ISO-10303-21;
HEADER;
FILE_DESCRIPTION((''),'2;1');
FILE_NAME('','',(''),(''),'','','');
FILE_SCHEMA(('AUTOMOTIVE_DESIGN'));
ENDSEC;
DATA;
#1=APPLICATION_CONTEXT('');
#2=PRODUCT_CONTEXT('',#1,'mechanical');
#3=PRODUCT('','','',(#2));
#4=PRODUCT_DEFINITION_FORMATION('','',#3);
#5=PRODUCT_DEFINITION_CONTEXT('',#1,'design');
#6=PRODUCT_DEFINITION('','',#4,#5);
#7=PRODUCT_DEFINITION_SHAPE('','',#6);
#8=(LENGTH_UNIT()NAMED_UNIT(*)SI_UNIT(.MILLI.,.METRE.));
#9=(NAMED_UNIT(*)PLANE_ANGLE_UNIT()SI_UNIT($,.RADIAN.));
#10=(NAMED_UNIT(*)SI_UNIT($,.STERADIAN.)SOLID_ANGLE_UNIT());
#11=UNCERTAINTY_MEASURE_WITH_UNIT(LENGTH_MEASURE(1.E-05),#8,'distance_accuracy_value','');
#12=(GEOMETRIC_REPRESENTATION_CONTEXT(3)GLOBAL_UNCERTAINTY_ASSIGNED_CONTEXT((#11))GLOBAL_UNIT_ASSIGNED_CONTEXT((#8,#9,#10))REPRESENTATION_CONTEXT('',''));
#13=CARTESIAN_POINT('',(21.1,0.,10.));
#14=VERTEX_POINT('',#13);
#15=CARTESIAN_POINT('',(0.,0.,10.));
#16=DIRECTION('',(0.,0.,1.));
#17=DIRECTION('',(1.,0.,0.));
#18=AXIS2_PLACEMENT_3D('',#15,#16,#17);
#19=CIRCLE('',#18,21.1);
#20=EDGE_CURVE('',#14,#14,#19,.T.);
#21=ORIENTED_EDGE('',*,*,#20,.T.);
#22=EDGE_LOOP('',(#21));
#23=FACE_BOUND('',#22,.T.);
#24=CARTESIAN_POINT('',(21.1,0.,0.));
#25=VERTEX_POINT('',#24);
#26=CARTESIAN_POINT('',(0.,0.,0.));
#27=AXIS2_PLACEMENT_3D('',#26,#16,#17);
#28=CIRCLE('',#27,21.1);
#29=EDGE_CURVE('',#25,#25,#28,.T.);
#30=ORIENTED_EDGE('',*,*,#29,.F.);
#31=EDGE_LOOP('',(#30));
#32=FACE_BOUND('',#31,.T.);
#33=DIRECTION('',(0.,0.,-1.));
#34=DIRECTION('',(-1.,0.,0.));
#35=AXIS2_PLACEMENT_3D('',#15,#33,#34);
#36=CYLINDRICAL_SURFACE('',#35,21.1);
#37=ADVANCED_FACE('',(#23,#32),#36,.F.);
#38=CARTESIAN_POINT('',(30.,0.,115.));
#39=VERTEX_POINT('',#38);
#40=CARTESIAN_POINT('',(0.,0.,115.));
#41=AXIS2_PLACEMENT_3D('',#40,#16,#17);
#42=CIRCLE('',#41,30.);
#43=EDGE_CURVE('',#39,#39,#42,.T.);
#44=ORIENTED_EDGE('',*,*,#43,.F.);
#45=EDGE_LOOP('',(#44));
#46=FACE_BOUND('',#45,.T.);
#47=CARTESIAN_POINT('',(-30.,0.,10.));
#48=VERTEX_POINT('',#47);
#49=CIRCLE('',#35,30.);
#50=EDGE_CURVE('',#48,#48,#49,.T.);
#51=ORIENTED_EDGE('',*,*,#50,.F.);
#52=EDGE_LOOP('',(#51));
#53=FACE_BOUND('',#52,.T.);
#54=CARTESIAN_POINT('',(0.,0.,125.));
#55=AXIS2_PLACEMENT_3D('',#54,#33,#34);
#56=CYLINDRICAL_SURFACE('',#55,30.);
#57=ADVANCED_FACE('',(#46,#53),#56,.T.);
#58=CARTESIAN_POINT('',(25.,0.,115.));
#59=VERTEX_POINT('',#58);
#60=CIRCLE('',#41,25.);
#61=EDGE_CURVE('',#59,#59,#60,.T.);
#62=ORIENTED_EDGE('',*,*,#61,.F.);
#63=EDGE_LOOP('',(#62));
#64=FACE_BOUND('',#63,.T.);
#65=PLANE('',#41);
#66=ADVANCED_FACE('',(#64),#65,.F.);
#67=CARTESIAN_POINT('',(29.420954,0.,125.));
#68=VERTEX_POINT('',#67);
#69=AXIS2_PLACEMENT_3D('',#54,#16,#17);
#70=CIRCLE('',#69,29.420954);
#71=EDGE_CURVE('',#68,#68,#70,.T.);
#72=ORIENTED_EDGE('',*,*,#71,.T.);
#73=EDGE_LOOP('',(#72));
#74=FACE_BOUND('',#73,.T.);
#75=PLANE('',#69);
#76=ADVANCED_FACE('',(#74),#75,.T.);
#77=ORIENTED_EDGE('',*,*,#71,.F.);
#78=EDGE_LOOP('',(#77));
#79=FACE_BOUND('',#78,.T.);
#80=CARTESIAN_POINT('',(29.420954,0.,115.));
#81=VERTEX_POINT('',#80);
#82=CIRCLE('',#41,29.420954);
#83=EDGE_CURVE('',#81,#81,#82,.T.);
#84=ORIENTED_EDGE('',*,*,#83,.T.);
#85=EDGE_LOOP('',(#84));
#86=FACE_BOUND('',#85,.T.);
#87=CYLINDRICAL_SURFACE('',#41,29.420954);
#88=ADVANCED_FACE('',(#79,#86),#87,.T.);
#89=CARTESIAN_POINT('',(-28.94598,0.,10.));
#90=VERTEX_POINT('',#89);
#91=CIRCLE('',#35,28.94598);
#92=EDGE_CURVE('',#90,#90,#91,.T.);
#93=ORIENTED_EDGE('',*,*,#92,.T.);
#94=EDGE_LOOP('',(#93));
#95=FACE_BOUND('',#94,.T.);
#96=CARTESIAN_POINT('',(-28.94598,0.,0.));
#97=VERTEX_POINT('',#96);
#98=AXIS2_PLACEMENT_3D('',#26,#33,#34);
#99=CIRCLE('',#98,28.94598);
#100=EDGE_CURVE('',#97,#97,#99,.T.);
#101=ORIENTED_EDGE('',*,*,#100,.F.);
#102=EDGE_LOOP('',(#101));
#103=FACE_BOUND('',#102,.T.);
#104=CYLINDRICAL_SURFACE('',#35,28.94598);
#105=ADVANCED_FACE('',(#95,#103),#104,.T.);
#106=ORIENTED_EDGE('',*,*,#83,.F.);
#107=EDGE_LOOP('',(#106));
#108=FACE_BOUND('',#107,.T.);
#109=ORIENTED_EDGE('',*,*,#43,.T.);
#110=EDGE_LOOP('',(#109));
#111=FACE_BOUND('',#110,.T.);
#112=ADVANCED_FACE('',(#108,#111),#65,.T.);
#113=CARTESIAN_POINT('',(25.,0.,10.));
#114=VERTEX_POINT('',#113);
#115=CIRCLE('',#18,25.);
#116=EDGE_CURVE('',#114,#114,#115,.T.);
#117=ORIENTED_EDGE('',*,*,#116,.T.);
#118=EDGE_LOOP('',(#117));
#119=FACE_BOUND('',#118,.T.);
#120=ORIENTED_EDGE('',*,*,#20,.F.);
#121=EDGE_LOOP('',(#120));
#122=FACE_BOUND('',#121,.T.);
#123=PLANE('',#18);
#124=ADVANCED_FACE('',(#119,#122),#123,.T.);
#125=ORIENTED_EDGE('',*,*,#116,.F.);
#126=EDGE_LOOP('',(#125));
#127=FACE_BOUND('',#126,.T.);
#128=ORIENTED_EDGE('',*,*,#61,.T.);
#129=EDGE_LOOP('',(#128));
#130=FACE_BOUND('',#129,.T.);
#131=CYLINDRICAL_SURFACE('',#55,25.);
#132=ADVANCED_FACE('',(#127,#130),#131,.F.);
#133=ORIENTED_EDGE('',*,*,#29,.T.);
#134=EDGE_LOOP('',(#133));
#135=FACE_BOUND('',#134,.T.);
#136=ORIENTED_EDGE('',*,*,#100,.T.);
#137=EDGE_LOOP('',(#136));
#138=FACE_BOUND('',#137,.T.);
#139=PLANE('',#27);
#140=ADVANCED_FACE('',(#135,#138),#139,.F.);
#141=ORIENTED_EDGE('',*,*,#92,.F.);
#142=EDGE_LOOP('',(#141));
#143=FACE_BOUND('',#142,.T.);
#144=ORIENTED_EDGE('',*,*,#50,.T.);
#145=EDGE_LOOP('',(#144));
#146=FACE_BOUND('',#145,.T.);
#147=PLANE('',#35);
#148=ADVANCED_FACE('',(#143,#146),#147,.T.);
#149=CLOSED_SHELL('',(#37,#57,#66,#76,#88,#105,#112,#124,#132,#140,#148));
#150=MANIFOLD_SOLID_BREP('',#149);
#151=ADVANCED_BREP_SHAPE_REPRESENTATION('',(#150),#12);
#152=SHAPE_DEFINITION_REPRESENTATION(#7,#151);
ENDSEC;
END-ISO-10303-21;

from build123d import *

# Parameters (mm, degrees)
SKETCH1_R           = 30
SKETCH1_R_2         = 25
BOSS_EXTRUDE1_DEPTH = 125
SKETCH2_R           = 25
SKETCH2_R_2         = 21.1
BOSS_EXTRUDE2_DEPTH = 10
SKETCH3_R           = 25
BOSS_EXTRUDE3_DEPTH = 10
SKETCH11_R          = 30
SKETCH11_R_2        = 28.945980101
CUT_EXTRUDE2_DEPTH  = 10
SKETCH12_R          = 30
SKETCH12_R_2        = 29.420954363
CUT_EXTRUDE3_DEPTH  = 10


with BuildPart() as part:
    # Sketch1 → Boss-Extrude1 (new body)
    with BuildSketch(Plane.XY):
        Circle(SKETCH1_R)
        Circle(SKETCH1_R_2, mode=Mode.SUBTRACT)
    extrude(amount=BOSS_EXTRUDE1_DEPTH)

    # Sketch2 → Boss-Extrude2 (add)
    with BuildSketch(Plane.XY):
        Circle(SKETCH2_R)
        Circle(SKETCH2_R_2, mode=Mode.SUBTRACT)
    extrude(amount=BOSS_EXTRUDE2_DEPTH)

    # Sketch3 → Boss-Extrude3 (add)
    with BuildSketch(Plane.XY.offset(115)):
        Circle(SKETCH3_R)
    extrude(amount=BOSS_EXTRUDE3_DEPTH)

    # Sketch11 → Cut-Extrude2 (cut)
    with BuildSketch(Plane(origin=(0, 0, 0), x_dir=(-1, 0, 0), z_dir=(0, 0, -1))):
        Circle(SKETCH11_R)
        Circle(SKETCH11_R_2, mode=Mode.SUBTRACT)
    extrude(amount=-CUT_EXTRUDE2_DEPTH, mode=Mode.SUBTRACT)

    # Sketch12 → Cut-Extrude3 (cut)
    with BuildSketch(Plane.XY.offset(125)):
        Circle(SKETCH12_R)
        Circle(SKETCH12_R_2, mode=Mode.SUBTRACT)
    extrude(amount=-CUT_EXTRUDE3_DEPTH, mode=Mode.SUBTRACT)


solid = part.part
